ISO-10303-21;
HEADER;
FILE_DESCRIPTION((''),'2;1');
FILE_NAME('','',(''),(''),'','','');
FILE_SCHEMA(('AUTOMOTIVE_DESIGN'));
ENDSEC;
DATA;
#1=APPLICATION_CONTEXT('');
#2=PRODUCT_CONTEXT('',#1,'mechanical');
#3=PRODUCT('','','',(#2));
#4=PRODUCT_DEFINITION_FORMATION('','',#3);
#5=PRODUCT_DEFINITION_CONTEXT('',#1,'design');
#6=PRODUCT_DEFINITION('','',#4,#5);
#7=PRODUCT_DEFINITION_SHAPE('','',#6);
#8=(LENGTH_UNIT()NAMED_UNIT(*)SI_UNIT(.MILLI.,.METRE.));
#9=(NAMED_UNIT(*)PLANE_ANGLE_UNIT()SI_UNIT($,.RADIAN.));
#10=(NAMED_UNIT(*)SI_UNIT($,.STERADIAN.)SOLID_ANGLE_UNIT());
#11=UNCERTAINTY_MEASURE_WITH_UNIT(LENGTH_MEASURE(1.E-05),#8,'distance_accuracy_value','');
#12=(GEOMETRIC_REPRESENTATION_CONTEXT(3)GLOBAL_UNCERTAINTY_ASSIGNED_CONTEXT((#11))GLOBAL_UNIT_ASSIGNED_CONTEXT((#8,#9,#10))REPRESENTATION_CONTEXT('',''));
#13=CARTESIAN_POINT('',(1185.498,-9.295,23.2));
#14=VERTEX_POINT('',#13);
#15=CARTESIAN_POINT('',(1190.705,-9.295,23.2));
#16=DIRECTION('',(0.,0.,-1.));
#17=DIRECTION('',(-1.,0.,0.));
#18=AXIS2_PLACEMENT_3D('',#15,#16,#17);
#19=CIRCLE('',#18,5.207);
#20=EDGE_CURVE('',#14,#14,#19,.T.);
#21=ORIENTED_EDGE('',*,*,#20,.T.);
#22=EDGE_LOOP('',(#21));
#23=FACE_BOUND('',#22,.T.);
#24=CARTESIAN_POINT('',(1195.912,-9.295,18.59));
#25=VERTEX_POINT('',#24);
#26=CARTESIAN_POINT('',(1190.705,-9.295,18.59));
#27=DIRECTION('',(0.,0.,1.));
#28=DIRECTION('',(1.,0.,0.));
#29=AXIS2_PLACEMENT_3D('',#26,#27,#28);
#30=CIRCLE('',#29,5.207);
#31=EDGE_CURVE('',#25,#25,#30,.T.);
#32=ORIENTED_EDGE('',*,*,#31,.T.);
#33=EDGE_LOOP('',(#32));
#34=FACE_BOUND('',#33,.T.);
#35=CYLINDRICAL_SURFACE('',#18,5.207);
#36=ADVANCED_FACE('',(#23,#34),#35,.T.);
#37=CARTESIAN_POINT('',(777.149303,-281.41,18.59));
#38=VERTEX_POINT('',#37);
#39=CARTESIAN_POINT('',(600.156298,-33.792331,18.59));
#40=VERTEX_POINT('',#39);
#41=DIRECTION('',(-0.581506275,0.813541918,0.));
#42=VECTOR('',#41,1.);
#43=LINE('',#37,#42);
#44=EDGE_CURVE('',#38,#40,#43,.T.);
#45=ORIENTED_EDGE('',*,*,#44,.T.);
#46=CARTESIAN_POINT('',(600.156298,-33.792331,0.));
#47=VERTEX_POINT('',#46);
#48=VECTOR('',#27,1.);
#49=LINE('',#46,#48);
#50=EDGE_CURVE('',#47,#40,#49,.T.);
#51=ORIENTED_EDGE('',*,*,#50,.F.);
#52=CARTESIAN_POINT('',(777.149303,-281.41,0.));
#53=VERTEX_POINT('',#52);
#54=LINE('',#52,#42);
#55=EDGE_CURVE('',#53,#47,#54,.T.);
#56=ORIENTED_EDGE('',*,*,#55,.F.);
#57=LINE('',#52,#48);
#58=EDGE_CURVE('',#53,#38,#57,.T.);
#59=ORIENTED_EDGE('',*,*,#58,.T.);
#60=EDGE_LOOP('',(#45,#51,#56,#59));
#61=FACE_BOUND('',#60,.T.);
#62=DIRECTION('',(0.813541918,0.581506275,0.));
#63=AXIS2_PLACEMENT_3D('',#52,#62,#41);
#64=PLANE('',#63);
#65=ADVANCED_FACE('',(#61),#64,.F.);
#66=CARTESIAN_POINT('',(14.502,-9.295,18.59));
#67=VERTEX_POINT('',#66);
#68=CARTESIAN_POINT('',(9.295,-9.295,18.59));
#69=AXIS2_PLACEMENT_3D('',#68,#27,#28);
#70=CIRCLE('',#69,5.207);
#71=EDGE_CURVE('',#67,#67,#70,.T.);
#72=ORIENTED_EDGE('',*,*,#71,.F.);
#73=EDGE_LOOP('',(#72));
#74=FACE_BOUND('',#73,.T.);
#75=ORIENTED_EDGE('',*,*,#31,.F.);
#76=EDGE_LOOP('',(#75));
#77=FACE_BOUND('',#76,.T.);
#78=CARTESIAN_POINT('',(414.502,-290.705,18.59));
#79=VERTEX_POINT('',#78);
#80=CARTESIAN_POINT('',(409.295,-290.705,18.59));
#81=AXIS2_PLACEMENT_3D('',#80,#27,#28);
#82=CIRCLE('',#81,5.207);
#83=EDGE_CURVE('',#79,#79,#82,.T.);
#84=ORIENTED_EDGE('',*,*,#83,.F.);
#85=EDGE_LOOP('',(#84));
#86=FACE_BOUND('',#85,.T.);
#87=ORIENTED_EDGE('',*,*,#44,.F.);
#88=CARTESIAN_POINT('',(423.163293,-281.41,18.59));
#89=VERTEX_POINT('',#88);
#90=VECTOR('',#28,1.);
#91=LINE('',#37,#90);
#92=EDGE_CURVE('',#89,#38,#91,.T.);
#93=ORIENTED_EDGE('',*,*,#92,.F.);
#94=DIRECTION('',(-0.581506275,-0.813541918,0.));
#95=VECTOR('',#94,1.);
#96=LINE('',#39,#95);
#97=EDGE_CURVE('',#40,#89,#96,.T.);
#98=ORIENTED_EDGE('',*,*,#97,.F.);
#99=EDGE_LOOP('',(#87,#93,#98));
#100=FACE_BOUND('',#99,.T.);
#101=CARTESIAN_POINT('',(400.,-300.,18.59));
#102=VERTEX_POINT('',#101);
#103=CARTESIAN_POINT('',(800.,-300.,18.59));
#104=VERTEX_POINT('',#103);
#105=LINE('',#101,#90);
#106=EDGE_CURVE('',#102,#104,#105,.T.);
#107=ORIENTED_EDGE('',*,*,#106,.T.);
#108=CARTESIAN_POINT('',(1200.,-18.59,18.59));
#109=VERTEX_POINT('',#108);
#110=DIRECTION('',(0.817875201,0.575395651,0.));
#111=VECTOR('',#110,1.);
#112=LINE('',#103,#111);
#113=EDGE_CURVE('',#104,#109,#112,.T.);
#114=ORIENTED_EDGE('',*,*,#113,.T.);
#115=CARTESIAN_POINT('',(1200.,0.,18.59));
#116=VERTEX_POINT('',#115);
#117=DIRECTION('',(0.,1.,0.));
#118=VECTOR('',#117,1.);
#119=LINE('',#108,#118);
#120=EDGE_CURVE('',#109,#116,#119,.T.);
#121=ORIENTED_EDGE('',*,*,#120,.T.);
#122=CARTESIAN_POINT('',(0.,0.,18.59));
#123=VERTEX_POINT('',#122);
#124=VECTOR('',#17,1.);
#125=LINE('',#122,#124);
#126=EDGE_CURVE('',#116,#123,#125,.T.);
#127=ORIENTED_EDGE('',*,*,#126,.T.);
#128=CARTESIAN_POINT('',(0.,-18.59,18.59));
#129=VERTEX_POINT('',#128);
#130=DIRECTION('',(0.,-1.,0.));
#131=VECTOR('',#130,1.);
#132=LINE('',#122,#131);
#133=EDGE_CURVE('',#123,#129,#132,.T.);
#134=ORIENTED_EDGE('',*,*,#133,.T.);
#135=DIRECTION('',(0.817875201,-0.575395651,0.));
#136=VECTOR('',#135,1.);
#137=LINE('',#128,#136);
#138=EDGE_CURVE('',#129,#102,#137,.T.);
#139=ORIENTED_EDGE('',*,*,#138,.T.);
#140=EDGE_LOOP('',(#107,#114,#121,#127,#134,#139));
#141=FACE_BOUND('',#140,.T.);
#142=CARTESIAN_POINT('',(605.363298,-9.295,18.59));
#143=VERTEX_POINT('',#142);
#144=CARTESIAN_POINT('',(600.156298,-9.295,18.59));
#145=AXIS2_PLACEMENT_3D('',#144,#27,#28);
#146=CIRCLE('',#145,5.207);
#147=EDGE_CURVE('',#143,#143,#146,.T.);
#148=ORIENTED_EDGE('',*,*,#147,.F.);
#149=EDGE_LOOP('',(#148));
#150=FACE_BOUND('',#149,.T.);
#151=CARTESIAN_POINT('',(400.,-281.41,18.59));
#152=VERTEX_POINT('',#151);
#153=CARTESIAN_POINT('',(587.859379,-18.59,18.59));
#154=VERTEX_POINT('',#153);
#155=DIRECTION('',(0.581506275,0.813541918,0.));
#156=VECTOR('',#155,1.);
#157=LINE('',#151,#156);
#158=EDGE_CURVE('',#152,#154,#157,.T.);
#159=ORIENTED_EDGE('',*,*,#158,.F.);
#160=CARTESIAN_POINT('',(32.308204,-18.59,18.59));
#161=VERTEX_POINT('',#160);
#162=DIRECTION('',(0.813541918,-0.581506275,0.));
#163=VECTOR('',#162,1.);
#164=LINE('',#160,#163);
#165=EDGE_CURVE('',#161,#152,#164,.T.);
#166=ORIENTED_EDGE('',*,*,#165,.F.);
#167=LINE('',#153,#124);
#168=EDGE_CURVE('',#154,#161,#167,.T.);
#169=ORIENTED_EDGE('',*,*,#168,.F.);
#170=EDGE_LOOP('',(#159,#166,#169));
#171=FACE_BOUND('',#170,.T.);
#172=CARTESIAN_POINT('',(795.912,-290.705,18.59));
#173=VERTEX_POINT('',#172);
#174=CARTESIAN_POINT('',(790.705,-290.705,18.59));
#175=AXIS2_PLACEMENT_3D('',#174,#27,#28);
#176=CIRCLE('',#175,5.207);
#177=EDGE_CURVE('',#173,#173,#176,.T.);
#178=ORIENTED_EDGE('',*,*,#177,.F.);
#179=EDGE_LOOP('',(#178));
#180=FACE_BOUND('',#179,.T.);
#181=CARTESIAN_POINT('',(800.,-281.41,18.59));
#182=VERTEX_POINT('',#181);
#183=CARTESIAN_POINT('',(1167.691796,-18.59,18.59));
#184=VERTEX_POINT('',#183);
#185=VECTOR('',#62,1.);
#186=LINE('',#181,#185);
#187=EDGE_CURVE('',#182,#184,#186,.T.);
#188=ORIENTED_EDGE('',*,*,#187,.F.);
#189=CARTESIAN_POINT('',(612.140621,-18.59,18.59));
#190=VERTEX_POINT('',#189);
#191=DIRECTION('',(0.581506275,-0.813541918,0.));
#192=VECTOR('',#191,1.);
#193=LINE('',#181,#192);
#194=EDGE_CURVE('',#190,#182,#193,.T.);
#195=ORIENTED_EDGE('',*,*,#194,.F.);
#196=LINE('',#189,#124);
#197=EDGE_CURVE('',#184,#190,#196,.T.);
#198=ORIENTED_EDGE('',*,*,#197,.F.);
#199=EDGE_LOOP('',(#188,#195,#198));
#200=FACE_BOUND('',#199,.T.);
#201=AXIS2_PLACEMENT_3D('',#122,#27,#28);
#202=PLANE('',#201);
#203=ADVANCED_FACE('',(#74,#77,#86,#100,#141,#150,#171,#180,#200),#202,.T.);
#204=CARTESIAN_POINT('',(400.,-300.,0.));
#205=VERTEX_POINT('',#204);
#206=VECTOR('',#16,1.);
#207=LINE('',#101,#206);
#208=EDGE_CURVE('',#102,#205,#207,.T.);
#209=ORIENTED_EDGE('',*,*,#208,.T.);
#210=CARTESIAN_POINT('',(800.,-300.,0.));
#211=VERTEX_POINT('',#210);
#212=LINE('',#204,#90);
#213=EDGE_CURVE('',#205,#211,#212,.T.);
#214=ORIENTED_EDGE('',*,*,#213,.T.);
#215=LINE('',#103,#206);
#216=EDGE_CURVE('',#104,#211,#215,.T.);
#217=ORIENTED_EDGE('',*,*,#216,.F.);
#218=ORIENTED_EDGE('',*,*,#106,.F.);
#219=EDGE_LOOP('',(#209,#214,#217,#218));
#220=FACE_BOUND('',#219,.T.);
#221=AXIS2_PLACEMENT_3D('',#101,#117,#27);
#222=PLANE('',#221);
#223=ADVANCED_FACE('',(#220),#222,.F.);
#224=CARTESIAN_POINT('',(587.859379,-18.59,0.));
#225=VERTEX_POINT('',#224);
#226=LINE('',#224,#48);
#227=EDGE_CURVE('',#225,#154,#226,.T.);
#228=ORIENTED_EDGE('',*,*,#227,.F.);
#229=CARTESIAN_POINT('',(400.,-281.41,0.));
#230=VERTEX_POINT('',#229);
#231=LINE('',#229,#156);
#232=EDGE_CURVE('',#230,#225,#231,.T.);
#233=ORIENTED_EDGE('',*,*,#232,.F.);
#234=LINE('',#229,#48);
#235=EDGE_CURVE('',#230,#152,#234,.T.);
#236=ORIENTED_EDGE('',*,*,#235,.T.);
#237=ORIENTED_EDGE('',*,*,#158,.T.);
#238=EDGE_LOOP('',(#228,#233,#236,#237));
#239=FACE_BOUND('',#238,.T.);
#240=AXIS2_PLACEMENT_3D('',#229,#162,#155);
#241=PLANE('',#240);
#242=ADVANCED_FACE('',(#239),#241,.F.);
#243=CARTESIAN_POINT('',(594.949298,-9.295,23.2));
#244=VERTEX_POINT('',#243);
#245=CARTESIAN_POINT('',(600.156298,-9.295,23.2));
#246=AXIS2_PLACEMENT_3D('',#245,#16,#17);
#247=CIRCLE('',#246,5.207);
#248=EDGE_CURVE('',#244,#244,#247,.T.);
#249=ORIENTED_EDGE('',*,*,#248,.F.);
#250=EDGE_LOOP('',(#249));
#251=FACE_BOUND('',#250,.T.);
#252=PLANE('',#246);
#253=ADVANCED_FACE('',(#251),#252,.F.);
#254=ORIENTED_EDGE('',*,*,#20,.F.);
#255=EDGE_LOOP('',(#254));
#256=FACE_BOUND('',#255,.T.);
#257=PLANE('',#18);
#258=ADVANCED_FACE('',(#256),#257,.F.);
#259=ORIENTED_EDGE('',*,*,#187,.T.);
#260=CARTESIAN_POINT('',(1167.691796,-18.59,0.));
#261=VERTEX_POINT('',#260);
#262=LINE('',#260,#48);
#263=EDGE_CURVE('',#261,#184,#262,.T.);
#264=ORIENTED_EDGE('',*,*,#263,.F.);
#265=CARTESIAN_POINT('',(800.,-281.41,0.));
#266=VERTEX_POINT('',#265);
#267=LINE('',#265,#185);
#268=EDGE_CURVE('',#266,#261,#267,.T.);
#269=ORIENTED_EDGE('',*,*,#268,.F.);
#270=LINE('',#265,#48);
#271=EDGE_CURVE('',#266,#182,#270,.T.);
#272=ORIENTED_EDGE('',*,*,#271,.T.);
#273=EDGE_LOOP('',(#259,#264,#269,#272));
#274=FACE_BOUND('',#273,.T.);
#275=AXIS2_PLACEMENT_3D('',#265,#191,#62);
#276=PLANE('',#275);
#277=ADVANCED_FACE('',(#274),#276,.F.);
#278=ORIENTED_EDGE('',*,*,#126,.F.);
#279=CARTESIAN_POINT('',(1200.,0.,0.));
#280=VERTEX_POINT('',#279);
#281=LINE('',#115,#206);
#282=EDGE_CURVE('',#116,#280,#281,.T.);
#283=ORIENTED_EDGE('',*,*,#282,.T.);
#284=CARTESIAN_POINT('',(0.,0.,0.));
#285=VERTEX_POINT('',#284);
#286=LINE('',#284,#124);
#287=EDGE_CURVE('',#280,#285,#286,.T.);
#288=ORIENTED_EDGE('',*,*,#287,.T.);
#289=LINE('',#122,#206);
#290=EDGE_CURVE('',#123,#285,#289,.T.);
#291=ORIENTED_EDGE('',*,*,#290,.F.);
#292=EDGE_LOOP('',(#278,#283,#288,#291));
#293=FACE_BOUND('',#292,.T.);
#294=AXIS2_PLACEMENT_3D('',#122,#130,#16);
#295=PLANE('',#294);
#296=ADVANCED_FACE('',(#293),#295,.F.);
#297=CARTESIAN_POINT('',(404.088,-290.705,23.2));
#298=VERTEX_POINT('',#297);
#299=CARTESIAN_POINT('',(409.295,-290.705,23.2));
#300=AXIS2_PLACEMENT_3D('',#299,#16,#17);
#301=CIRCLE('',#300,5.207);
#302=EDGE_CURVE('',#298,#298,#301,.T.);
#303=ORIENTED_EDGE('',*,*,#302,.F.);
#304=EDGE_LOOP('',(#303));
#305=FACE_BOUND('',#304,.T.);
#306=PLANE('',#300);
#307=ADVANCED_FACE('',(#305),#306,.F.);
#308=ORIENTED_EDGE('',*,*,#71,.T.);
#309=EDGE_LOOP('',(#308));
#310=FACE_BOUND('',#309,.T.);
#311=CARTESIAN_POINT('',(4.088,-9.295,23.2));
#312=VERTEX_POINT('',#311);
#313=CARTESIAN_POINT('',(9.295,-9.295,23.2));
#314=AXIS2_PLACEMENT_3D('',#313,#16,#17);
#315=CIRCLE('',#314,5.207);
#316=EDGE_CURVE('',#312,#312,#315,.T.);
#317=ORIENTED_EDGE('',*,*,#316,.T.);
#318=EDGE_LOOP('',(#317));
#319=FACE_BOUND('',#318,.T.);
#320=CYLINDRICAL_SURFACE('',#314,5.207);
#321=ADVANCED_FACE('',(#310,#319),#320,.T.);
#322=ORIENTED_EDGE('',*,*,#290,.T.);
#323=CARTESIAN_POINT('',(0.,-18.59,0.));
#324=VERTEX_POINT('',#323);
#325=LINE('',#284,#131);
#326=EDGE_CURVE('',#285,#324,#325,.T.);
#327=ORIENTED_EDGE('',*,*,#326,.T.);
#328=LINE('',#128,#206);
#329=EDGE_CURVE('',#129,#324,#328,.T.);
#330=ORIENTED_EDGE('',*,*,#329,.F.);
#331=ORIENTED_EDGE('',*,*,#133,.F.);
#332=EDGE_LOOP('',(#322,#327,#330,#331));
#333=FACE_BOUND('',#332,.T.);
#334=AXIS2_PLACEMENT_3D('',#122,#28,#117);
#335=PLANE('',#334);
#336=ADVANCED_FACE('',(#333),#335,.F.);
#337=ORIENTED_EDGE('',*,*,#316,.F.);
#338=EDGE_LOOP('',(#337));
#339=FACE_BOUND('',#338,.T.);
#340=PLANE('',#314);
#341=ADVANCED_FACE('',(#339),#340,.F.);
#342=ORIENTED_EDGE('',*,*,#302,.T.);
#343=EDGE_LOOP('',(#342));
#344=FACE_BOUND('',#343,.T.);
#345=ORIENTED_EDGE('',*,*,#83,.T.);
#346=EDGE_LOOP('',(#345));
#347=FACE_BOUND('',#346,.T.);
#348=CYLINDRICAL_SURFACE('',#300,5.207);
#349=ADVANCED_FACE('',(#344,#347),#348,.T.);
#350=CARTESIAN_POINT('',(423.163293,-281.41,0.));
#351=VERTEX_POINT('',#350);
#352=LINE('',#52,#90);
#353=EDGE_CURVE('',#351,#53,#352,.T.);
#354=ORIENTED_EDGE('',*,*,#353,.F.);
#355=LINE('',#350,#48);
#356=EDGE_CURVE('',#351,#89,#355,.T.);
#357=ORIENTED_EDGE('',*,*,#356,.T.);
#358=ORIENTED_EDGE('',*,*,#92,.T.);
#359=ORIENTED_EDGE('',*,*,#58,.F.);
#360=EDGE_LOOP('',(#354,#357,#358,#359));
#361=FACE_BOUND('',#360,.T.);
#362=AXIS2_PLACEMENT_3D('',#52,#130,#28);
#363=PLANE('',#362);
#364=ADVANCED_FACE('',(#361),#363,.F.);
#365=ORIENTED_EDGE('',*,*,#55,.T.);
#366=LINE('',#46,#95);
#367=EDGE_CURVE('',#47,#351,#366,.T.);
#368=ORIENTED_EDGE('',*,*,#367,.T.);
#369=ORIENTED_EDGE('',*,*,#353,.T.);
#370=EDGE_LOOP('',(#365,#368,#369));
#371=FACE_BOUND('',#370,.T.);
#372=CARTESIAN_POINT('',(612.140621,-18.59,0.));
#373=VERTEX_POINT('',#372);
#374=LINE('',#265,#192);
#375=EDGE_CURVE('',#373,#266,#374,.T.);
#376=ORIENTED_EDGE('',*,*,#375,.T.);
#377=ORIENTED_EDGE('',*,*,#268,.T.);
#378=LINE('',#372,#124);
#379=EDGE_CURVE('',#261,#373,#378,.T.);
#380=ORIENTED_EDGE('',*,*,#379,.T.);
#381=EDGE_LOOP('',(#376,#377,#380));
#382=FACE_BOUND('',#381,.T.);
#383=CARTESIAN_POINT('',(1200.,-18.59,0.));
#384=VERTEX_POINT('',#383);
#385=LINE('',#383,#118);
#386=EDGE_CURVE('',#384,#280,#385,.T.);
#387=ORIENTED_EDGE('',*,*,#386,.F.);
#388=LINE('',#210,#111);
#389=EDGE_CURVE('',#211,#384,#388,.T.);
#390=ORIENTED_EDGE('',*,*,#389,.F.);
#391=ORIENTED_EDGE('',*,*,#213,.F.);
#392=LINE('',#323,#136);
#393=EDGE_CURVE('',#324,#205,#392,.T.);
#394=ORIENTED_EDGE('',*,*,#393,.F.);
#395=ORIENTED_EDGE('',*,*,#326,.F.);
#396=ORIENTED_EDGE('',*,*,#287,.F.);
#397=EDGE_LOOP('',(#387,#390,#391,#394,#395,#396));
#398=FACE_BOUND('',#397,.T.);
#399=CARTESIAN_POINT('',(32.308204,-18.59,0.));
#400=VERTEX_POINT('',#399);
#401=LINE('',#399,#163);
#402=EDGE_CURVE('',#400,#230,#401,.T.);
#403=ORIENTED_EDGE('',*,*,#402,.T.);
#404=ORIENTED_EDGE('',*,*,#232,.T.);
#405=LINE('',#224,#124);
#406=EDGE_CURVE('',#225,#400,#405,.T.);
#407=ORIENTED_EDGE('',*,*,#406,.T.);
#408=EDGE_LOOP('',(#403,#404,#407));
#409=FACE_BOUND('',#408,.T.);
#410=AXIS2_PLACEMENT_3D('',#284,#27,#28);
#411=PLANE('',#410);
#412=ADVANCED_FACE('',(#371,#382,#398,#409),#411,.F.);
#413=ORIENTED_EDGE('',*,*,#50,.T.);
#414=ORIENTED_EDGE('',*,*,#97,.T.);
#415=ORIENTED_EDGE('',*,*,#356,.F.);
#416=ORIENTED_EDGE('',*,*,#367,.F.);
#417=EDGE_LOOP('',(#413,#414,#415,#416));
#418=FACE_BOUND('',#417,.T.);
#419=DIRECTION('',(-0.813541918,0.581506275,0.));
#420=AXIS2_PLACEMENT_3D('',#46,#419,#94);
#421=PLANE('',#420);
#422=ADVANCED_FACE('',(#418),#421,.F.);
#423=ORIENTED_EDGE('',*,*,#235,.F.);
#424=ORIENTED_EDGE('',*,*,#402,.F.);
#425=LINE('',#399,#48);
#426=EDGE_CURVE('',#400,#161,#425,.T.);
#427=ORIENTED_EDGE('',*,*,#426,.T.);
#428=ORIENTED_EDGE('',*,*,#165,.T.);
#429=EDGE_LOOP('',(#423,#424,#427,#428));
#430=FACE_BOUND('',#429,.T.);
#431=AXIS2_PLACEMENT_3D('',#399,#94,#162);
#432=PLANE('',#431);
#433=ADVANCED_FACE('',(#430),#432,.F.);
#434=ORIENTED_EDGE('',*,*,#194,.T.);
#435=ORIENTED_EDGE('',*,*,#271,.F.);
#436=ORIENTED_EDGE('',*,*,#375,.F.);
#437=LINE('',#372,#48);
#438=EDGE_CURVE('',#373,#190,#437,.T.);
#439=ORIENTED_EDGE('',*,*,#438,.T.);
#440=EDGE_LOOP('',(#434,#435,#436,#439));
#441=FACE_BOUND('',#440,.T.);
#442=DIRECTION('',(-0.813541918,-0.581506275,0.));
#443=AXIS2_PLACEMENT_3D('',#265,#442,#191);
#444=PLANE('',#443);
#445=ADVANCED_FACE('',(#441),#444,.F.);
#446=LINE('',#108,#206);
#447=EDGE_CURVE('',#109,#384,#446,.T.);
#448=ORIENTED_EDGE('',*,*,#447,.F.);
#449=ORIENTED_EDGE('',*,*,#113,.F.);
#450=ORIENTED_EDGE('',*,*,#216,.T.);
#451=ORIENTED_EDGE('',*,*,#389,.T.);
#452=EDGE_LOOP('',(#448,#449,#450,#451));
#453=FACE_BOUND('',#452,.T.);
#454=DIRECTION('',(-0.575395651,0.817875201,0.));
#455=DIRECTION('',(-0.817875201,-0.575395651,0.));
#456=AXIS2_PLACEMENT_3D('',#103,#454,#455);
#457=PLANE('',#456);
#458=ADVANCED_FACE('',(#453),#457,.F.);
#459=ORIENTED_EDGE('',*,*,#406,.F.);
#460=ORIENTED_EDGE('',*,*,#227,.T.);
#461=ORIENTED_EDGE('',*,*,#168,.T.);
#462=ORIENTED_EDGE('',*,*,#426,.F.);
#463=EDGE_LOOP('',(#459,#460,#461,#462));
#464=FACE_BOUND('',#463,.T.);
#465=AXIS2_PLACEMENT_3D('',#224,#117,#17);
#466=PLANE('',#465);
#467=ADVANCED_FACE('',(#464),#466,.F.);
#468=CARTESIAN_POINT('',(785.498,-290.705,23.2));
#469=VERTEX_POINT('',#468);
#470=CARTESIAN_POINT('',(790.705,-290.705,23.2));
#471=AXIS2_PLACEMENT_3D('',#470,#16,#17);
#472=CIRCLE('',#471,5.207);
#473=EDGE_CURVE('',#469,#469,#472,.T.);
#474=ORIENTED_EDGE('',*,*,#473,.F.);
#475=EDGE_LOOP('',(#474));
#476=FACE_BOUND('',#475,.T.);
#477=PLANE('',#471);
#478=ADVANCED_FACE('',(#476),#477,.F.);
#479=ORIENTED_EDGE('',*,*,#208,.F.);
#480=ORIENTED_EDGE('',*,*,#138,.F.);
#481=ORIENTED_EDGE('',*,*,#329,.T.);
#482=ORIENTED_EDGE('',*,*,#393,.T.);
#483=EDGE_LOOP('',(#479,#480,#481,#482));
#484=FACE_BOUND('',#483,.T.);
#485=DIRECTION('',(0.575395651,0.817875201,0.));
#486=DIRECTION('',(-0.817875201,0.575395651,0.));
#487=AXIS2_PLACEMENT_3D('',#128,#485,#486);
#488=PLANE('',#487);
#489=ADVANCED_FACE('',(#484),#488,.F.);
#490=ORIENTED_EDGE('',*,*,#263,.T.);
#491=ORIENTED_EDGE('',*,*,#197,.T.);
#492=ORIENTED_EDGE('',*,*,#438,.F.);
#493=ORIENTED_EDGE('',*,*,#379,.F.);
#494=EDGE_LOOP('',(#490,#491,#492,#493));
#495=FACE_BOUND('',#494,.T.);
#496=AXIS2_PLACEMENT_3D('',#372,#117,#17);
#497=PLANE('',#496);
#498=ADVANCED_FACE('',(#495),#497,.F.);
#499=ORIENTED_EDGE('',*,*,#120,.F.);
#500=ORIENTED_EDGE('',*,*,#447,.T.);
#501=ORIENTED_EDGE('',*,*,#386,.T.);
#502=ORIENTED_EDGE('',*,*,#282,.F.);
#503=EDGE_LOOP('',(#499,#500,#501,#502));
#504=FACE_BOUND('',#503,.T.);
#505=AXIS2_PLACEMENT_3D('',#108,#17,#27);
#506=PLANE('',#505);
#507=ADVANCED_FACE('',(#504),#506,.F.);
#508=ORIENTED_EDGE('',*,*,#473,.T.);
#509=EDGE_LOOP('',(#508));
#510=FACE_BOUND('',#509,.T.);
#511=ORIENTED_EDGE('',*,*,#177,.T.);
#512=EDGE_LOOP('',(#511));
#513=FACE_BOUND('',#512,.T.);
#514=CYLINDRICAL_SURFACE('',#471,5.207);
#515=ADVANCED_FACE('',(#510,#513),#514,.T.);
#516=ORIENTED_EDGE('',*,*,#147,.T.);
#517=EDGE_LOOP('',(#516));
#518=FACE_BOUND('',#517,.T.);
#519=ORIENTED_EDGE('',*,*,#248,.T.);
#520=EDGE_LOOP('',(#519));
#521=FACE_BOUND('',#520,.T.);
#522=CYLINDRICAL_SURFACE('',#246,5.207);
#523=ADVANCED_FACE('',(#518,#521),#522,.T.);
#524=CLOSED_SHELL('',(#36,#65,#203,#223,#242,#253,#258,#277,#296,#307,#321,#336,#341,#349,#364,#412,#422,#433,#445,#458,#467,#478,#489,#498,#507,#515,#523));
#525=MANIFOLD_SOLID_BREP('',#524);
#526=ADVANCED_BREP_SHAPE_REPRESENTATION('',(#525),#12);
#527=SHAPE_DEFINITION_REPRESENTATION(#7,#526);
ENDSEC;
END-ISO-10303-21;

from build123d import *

# Parameters (mm, degrees)
BOSS_EXTRUDE1_DEPTH = 18.59
CUT_EXTRUDE2_DEPTH  = 1238.071375507
SKETCH4_R           = 5.207
BOSS_EXTRUDE3_DEPTH = 23.2


with BuildPart() as part:
    # Sketch2 → Boss-Extrude1 (new body)
    with BuildSketch(Plane.XY):
        Polygon((0, 0), (1200, 0), (1200, -18.59), (800, -300), (400, -300), (0, -18.59), align=None)
    extrude(amount=BOSS_EXTRUDE1_DEPTH)

    # Sketch3 → Cut-Extrude2 (cut, through all)
    with BuildSketch(Plane.XY.offset(18.59)):
        Polygon((32.308203874, -18.59), (400, -281.41), (587.859378773, -18.59), align=None)
        Polygon((600.156298082, -33.792330813), (423.163293339, -281.41), (777.149302825, -281.41), align=None)
        Polygon((800, -281.41), (1167.691796126, -18.59), (612.140621227, -18.59), align=None)
    extrude(amount=-CUT_EXTRUDE2_DEPTH, mode=Mode.SUBTRACT)

    # Sketch4 → Boss-Extrude3 (add)
    with BuildSketch(Plane(origin=(0, 0, 0), x_dir=(-1, 0, 0), z_dir=(0, 0, -1))):
        with Locations((-1190.705, -9.295)):
            Circle(SKETCH4_R)
        with Locations((-600.156298082, -9.295)):
            Circle(SKETCH4_R)
        with Locations((-9.295, -9.295)):
            Circle(SKETCH4_R)
        with Locations((-790.705, -290.705)):
            Circle(SKETCH4_R)
        with Locations((-409.295, -290.705)):
            Circle(SKETCH4_R)
    extrude(amount=-BOSS_EXTRUDE3_DEPTH)


solid = part.part
